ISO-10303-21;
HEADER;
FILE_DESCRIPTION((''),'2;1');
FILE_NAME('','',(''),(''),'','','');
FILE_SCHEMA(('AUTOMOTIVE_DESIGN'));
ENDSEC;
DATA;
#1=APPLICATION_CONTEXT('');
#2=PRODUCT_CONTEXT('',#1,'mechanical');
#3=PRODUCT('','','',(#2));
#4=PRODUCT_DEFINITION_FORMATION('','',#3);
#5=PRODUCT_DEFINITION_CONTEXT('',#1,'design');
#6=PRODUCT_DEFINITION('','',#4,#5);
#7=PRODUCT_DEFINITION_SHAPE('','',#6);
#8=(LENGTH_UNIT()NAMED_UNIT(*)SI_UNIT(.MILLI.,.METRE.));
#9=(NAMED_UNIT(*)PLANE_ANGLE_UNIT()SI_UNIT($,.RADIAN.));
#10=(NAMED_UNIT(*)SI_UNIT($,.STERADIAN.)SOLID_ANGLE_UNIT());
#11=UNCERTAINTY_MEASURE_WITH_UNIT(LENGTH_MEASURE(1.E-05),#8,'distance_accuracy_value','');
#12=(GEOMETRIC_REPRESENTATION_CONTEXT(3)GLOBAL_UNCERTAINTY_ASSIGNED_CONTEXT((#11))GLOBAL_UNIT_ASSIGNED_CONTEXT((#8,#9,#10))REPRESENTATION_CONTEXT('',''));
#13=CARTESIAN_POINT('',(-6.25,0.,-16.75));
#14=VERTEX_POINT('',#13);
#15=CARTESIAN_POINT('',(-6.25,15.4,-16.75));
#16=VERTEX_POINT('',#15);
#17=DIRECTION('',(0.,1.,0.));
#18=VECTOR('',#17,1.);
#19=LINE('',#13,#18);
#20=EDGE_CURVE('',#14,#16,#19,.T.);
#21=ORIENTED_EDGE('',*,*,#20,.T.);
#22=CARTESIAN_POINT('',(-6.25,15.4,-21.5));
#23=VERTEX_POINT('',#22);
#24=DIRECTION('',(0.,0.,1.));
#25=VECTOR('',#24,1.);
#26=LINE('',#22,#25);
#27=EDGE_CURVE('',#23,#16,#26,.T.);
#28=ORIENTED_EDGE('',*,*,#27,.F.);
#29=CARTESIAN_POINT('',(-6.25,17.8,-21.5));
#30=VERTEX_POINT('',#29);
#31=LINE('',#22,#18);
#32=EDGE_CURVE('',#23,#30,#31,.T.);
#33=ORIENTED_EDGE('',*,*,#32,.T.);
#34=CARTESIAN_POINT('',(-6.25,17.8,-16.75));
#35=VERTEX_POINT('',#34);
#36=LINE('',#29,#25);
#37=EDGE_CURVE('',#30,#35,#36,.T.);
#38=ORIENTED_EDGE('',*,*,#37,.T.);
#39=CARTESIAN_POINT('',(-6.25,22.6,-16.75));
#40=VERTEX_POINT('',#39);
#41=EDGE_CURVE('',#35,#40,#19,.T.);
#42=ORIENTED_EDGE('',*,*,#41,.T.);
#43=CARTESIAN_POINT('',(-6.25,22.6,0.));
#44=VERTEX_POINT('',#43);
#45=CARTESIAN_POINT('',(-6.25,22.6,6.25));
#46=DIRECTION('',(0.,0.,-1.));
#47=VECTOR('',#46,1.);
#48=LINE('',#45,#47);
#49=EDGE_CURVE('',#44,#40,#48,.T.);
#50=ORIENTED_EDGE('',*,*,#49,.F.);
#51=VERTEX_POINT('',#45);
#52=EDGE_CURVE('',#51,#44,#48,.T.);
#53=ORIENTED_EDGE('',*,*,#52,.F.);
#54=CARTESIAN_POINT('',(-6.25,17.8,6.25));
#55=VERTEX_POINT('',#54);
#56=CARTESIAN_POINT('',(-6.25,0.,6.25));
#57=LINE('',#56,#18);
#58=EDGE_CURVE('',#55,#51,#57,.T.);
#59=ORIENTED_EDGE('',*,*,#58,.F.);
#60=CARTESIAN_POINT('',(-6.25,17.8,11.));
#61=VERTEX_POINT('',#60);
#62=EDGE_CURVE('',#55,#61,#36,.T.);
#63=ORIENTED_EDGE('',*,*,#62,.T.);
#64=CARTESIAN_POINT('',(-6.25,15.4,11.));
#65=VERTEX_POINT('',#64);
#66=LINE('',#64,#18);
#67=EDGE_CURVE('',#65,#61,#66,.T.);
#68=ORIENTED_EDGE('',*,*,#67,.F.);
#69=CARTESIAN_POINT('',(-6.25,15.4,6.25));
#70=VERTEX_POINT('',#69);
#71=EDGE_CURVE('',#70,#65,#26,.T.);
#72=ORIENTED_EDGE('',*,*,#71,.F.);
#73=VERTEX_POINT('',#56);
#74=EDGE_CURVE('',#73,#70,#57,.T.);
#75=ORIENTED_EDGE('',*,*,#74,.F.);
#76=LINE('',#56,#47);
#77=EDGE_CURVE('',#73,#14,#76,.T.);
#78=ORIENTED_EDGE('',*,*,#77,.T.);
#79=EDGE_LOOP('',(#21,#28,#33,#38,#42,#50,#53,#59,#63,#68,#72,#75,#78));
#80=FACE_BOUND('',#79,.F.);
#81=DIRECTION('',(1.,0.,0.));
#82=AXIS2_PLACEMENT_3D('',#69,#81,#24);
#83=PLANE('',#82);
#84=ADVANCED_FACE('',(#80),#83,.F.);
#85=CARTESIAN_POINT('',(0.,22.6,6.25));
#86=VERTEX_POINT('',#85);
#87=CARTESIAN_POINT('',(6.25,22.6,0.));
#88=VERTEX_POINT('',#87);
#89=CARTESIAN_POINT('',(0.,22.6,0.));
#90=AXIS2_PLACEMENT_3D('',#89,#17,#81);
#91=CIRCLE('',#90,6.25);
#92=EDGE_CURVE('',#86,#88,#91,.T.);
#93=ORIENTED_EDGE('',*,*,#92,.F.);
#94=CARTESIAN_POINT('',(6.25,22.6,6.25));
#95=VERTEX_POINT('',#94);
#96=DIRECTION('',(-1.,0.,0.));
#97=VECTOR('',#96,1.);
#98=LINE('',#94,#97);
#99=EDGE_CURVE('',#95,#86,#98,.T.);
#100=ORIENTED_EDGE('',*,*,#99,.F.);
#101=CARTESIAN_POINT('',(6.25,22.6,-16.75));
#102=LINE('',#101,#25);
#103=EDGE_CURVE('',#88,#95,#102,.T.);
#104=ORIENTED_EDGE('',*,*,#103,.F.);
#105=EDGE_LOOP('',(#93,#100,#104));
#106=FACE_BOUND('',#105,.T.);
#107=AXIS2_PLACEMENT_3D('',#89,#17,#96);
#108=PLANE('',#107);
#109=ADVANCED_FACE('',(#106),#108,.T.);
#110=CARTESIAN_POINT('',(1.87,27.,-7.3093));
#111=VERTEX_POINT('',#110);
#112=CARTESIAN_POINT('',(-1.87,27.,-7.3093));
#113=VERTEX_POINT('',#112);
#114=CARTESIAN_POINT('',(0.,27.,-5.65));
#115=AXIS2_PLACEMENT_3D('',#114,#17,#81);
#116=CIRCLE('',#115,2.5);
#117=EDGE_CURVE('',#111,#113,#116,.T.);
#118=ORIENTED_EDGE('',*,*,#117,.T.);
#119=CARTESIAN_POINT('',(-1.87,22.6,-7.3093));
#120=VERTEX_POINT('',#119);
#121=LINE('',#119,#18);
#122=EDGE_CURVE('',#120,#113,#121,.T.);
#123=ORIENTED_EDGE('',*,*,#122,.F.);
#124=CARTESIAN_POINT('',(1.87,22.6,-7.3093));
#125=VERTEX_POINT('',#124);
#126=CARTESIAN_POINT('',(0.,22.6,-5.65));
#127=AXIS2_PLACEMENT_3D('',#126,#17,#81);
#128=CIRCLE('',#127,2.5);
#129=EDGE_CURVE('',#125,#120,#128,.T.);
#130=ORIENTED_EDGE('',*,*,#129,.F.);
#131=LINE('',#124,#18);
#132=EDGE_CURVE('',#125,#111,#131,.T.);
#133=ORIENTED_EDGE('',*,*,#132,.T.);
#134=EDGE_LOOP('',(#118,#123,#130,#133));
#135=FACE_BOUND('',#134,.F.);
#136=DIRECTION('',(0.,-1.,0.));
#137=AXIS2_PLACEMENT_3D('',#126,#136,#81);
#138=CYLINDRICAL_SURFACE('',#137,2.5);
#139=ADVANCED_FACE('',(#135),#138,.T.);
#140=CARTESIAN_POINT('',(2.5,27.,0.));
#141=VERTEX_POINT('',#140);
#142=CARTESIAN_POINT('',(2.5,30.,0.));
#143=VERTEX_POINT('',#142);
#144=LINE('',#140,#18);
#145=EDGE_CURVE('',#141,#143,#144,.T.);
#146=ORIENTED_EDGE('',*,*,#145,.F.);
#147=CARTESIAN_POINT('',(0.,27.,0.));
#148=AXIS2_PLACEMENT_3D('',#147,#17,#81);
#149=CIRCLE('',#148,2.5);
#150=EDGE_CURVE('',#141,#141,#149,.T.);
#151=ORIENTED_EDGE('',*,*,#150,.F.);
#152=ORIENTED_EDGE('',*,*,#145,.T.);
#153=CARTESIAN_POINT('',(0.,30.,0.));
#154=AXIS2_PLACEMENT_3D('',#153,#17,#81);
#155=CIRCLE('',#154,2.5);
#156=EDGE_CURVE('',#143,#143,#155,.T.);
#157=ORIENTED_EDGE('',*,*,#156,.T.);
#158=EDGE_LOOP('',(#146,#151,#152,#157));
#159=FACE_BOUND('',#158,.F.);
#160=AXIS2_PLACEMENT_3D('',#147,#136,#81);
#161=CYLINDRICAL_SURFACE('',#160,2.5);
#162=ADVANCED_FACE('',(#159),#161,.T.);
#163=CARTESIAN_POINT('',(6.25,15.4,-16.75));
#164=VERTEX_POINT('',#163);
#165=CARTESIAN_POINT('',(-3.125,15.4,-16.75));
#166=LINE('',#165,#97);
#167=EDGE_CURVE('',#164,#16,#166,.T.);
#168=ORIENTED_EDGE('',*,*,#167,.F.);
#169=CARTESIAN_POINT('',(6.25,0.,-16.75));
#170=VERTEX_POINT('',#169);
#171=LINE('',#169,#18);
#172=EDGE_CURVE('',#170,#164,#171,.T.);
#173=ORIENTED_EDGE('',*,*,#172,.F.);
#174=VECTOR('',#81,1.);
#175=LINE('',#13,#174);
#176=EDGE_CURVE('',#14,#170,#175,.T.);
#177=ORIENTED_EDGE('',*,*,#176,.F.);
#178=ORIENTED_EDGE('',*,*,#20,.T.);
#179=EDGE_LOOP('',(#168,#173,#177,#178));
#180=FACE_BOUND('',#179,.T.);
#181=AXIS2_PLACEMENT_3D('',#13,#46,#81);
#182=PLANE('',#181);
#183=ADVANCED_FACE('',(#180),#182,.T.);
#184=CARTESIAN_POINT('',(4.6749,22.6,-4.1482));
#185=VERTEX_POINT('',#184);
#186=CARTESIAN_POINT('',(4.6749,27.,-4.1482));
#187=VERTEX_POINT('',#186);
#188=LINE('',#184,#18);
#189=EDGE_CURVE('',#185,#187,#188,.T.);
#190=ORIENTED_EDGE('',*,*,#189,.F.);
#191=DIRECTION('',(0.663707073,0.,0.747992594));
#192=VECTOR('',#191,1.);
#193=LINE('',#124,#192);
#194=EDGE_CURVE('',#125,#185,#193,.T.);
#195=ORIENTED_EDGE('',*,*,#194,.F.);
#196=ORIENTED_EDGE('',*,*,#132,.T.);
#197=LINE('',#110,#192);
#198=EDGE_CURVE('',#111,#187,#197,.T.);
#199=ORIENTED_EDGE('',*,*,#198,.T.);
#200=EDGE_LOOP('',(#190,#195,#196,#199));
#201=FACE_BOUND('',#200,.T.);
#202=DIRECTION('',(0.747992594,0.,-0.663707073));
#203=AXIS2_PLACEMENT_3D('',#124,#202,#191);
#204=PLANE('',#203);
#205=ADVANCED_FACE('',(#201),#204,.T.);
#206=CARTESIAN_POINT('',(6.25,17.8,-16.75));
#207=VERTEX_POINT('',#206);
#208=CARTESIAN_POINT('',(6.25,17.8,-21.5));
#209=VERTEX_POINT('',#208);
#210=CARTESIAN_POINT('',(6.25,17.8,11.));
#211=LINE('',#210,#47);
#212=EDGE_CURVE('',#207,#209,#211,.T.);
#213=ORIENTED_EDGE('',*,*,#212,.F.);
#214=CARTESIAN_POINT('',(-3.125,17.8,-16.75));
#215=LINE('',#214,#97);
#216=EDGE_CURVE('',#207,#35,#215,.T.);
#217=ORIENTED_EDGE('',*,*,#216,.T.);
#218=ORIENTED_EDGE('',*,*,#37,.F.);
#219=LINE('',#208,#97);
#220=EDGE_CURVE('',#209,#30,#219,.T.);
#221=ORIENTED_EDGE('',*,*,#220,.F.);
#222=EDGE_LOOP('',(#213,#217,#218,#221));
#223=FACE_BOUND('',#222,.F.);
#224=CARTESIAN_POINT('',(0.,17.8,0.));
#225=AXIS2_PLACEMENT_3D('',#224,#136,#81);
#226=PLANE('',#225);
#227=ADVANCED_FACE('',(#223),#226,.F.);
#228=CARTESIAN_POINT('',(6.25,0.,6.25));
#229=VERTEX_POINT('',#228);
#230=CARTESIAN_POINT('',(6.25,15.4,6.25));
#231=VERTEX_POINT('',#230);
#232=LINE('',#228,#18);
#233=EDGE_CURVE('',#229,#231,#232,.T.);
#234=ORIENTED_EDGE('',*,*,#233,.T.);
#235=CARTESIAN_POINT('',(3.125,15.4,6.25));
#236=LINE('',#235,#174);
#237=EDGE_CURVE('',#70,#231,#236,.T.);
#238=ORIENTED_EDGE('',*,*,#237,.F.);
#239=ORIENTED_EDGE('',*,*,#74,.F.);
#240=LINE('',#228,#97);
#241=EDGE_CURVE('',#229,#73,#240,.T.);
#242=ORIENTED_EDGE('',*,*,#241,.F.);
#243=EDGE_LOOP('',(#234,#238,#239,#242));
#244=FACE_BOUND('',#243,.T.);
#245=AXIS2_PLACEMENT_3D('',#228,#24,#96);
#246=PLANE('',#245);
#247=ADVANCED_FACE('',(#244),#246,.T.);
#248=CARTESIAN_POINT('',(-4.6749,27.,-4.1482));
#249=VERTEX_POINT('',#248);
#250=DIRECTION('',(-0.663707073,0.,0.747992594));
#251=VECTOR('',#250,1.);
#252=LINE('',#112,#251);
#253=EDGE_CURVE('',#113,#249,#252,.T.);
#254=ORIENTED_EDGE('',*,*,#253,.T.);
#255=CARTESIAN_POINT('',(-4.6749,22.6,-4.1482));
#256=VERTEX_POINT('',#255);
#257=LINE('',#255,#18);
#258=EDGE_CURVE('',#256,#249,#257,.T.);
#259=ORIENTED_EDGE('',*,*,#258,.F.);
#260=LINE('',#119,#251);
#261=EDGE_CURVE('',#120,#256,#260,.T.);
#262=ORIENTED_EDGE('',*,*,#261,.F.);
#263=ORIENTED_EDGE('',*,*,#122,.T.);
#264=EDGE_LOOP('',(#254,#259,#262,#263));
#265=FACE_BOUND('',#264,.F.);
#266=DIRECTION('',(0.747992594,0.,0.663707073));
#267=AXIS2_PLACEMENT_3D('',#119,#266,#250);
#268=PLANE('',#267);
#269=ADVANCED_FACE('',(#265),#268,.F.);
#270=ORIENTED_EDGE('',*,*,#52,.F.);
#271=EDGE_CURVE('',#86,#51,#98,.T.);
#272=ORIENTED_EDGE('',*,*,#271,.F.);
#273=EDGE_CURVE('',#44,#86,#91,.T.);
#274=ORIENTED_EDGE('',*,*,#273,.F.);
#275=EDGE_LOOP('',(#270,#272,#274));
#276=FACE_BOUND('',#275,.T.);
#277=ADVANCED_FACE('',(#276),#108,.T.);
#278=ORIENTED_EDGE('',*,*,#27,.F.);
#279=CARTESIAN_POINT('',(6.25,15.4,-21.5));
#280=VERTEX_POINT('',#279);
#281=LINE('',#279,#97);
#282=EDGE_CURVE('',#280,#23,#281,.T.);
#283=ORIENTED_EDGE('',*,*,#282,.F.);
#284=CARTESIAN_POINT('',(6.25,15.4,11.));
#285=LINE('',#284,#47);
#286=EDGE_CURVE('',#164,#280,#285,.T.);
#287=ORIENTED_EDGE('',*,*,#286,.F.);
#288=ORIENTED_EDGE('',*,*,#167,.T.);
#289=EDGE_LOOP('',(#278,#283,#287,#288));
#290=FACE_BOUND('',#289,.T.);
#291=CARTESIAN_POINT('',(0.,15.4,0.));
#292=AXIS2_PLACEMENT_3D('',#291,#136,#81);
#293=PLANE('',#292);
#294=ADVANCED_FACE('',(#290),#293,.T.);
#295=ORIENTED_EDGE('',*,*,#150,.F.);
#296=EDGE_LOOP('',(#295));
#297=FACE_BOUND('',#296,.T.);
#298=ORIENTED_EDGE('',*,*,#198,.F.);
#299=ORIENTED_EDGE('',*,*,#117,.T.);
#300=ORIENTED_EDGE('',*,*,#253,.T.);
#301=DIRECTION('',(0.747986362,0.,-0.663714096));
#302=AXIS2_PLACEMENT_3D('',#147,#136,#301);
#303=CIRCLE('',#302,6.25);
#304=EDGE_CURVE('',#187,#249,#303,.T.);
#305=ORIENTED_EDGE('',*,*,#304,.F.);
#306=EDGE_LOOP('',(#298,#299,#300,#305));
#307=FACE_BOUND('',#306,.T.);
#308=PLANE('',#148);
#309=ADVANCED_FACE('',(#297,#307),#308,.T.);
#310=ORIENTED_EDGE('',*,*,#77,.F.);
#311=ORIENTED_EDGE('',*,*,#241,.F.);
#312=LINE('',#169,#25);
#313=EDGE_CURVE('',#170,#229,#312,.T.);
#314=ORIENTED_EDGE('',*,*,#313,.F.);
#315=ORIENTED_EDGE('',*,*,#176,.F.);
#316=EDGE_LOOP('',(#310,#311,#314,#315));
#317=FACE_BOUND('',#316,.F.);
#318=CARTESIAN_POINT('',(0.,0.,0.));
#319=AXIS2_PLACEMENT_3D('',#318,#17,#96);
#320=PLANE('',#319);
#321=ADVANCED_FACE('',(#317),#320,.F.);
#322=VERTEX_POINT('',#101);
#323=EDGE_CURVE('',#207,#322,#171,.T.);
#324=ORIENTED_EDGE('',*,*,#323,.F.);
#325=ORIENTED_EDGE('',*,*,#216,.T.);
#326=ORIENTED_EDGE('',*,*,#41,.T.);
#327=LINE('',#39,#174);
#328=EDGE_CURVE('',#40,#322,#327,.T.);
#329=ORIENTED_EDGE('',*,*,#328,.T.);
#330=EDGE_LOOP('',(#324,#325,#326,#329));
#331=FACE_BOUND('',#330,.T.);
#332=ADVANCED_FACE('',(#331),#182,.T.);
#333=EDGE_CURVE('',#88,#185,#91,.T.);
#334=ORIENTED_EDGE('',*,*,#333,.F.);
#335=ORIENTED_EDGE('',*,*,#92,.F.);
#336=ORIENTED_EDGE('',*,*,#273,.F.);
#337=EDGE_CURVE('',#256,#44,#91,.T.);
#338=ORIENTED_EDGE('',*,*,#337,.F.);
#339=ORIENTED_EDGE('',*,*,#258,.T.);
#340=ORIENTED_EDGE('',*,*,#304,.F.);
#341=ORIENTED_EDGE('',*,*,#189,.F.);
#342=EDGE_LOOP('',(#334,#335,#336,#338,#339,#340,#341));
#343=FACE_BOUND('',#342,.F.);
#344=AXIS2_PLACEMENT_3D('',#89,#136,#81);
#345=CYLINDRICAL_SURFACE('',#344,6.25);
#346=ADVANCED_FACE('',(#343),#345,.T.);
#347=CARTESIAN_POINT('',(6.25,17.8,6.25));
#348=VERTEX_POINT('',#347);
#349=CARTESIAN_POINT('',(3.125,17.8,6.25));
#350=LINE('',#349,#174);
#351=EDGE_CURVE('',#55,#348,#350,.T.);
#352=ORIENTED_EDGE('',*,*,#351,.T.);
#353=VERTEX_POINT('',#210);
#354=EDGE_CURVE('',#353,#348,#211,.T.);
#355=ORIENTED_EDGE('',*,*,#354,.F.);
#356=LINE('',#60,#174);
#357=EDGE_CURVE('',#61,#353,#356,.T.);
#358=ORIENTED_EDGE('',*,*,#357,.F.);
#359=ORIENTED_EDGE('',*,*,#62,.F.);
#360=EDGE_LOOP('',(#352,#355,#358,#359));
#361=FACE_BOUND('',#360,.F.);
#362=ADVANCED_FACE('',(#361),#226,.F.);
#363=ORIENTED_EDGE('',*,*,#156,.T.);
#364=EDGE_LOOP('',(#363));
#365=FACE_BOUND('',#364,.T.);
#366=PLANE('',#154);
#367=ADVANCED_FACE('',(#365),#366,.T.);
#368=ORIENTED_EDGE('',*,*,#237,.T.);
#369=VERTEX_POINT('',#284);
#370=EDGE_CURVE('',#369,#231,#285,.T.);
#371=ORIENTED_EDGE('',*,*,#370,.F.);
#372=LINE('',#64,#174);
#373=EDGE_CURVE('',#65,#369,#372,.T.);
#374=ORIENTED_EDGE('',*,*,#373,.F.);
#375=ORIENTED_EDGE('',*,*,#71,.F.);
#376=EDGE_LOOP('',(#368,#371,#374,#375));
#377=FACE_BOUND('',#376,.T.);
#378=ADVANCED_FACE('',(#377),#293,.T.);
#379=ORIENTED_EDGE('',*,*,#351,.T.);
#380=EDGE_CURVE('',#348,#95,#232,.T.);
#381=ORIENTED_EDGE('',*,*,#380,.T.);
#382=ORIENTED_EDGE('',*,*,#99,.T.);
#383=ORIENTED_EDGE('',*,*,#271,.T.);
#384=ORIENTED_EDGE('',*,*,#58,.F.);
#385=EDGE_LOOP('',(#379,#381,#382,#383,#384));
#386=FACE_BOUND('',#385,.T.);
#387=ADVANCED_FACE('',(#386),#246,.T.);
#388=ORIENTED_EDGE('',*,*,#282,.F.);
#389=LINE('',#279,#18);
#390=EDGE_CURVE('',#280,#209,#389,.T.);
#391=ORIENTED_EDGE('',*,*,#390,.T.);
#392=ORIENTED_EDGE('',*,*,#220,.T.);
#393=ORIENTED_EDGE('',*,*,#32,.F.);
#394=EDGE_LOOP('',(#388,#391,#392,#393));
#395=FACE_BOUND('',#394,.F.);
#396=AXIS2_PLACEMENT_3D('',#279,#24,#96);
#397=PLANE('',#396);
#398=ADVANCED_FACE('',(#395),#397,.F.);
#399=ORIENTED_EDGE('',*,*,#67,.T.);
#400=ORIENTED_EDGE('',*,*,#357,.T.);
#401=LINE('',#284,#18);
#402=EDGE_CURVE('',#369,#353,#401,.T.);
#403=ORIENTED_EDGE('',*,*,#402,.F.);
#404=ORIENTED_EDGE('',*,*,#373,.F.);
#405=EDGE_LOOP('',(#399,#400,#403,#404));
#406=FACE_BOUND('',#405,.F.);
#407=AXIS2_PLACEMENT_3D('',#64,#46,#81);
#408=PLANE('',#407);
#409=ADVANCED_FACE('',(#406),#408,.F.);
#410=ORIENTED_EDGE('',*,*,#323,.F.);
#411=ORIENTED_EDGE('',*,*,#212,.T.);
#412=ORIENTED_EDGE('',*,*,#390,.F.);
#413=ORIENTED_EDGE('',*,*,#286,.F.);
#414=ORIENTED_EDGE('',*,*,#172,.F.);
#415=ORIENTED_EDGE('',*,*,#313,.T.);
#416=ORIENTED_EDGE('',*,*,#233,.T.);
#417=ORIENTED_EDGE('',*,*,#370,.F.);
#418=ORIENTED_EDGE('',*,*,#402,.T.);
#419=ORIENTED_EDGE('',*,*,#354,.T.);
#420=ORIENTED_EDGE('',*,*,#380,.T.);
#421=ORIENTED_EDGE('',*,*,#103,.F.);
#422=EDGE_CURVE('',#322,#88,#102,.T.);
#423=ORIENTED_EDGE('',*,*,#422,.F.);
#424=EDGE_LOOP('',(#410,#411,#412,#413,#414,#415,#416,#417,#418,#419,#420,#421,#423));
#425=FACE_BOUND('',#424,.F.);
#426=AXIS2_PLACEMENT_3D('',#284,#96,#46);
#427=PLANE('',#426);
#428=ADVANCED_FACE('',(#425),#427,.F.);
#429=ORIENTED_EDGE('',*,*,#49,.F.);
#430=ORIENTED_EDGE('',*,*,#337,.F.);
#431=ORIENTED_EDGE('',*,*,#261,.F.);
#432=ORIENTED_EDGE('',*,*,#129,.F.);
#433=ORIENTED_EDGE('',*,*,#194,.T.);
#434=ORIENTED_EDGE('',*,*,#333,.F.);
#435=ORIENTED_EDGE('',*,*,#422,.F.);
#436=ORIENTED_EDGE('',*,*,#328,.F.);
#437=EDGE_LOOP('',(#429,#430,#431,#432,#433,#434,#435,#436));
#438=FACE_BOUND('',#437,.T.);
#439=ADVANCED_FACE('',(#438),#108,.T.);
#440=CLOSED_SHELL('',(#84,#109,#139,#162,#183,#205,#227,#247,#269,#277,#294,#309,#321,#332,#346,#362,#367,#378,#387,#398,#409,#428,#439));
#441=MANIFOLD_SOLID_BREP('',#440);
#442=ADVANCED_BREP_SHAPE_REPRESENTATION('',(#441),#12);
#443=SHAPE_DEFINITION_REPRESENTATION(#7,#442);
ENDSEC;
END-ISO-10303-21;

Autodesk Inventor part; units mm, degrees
ref_plane "YZ Plane" through (0, 0, 0) normal (1, 0, 0) x (0, 1, 0)
ref_plane "XZ Plane" through (0, 0, 0) normal (0, 1, 0) x (-1, 0, 0)
sketch "スケッチ1" plane through (0, 0, 0) normal (0, 1, 0) x (-1, 0, 0)
  line L0 (6.25, -16.75) -> (-6.25, -16.75)
  line L1 (-6.25, -16.75) -> (-6.25, 6.25)
  line L2 (-6.25, 6.25) -> (6.25, 6.25)
  line L3 (6.25, 6.25) -> (6.25, -16.75)
  line L4 (6.25, -16.75) -> (-6.25, 6.25) construction
  line L5 (-6.25, -16.75) -> (6.25, 6.25) construction
  point P0 (0, 0)
  point P1 (0, -5.25)
  dimension "d0" = 12.5
  dimension "d1" = 23
  dimension "d2" = 6.25
extrude "押し出し1" add sketch "スケッチ1" along normal blind 22.6
sketch "スケッチ2" plane through (0, 22.6, 0) normal (0, 1, 0) x (1, 0, 0)
  circle A0 centre (0, 0) radius 6.25
  line L0 (-6.25, -6.25) -> (6.25, -6.25) projected
  line L1 (6.25, -6.25) -> (6.25, 16.75) projected
  line L2 (-6.25, 16.75) -> (-6.25, -6.25) projected
  circle A1 centre (0, 5.65) radius 2.5
  line L3 (-1.87, 7.3093) -> (-4.6749, 4.1482)
  line L4 (1.87, 7.3093) -> (4.6749, 4.1482)
  point P0 (0, 0)
  point P1 (-2.4988, 5.7288)
  point P2 (2.4988, 5.7288)
  dimension "d14" = 5
  dimension "d33" = 11.9
extrude "押し出し2" add sketch "スケッチ2" along normal blind 4.4 contours A0 A1 | A0 A1 L4 | A1 A0 | A0 A1 | A0 L3 A1
ref_plane "作業平面1" through (0, 15.4, 0) normal (0, -1, 0) x (1, 0, 0)
sketch "スケッチ3" plane through (0, 15.4, 0) normal (0, -1, 0) x (1, 0, 0)
  line L0 (-6.25, 11) -> (6.25, 11)
  line L1 (6.25, 11) -> (6.25, -21.5)
  line L2 (6.25, -21.5) -> (-6.25, -21.5)
  line L3 (-6.25, -21.5) -> (-6.25, 11)
  line L4 (-6.25, 11) -> (6.25, -21.5) construction
  line L5 (6.25, 11) -> (-6.25, -21.5) construction
  line L6 (-6.25, 0) -> (-6.25, 6.25) projected
  line L7 (6.25, 0) -> (6.25, -16.75) projected
  line L8 (-6.25, -16.75) -> (-6.25, 6.25) projected
  point P0 (0, 0)
  point P1 (0, -5.25)
  point P2 (-6.25, -5.25)
  dimension "d8" = 32.5
extrude "押し出し3" add sketch "スケッチ3" against normal blind 2.4
sketch "スケッチ4" plane through (0, 27, 0) normal (0, 1, 0) x (1, 0, 0)
  circle A0 centre (0, 0) radius 2.5
  point P0 (0, 0)
  dimension "d11" = 5
extrude "押し出し4" add sketch "スケッチ4" along normal blind 3
properties part number "sg90_Tower_Pro"
